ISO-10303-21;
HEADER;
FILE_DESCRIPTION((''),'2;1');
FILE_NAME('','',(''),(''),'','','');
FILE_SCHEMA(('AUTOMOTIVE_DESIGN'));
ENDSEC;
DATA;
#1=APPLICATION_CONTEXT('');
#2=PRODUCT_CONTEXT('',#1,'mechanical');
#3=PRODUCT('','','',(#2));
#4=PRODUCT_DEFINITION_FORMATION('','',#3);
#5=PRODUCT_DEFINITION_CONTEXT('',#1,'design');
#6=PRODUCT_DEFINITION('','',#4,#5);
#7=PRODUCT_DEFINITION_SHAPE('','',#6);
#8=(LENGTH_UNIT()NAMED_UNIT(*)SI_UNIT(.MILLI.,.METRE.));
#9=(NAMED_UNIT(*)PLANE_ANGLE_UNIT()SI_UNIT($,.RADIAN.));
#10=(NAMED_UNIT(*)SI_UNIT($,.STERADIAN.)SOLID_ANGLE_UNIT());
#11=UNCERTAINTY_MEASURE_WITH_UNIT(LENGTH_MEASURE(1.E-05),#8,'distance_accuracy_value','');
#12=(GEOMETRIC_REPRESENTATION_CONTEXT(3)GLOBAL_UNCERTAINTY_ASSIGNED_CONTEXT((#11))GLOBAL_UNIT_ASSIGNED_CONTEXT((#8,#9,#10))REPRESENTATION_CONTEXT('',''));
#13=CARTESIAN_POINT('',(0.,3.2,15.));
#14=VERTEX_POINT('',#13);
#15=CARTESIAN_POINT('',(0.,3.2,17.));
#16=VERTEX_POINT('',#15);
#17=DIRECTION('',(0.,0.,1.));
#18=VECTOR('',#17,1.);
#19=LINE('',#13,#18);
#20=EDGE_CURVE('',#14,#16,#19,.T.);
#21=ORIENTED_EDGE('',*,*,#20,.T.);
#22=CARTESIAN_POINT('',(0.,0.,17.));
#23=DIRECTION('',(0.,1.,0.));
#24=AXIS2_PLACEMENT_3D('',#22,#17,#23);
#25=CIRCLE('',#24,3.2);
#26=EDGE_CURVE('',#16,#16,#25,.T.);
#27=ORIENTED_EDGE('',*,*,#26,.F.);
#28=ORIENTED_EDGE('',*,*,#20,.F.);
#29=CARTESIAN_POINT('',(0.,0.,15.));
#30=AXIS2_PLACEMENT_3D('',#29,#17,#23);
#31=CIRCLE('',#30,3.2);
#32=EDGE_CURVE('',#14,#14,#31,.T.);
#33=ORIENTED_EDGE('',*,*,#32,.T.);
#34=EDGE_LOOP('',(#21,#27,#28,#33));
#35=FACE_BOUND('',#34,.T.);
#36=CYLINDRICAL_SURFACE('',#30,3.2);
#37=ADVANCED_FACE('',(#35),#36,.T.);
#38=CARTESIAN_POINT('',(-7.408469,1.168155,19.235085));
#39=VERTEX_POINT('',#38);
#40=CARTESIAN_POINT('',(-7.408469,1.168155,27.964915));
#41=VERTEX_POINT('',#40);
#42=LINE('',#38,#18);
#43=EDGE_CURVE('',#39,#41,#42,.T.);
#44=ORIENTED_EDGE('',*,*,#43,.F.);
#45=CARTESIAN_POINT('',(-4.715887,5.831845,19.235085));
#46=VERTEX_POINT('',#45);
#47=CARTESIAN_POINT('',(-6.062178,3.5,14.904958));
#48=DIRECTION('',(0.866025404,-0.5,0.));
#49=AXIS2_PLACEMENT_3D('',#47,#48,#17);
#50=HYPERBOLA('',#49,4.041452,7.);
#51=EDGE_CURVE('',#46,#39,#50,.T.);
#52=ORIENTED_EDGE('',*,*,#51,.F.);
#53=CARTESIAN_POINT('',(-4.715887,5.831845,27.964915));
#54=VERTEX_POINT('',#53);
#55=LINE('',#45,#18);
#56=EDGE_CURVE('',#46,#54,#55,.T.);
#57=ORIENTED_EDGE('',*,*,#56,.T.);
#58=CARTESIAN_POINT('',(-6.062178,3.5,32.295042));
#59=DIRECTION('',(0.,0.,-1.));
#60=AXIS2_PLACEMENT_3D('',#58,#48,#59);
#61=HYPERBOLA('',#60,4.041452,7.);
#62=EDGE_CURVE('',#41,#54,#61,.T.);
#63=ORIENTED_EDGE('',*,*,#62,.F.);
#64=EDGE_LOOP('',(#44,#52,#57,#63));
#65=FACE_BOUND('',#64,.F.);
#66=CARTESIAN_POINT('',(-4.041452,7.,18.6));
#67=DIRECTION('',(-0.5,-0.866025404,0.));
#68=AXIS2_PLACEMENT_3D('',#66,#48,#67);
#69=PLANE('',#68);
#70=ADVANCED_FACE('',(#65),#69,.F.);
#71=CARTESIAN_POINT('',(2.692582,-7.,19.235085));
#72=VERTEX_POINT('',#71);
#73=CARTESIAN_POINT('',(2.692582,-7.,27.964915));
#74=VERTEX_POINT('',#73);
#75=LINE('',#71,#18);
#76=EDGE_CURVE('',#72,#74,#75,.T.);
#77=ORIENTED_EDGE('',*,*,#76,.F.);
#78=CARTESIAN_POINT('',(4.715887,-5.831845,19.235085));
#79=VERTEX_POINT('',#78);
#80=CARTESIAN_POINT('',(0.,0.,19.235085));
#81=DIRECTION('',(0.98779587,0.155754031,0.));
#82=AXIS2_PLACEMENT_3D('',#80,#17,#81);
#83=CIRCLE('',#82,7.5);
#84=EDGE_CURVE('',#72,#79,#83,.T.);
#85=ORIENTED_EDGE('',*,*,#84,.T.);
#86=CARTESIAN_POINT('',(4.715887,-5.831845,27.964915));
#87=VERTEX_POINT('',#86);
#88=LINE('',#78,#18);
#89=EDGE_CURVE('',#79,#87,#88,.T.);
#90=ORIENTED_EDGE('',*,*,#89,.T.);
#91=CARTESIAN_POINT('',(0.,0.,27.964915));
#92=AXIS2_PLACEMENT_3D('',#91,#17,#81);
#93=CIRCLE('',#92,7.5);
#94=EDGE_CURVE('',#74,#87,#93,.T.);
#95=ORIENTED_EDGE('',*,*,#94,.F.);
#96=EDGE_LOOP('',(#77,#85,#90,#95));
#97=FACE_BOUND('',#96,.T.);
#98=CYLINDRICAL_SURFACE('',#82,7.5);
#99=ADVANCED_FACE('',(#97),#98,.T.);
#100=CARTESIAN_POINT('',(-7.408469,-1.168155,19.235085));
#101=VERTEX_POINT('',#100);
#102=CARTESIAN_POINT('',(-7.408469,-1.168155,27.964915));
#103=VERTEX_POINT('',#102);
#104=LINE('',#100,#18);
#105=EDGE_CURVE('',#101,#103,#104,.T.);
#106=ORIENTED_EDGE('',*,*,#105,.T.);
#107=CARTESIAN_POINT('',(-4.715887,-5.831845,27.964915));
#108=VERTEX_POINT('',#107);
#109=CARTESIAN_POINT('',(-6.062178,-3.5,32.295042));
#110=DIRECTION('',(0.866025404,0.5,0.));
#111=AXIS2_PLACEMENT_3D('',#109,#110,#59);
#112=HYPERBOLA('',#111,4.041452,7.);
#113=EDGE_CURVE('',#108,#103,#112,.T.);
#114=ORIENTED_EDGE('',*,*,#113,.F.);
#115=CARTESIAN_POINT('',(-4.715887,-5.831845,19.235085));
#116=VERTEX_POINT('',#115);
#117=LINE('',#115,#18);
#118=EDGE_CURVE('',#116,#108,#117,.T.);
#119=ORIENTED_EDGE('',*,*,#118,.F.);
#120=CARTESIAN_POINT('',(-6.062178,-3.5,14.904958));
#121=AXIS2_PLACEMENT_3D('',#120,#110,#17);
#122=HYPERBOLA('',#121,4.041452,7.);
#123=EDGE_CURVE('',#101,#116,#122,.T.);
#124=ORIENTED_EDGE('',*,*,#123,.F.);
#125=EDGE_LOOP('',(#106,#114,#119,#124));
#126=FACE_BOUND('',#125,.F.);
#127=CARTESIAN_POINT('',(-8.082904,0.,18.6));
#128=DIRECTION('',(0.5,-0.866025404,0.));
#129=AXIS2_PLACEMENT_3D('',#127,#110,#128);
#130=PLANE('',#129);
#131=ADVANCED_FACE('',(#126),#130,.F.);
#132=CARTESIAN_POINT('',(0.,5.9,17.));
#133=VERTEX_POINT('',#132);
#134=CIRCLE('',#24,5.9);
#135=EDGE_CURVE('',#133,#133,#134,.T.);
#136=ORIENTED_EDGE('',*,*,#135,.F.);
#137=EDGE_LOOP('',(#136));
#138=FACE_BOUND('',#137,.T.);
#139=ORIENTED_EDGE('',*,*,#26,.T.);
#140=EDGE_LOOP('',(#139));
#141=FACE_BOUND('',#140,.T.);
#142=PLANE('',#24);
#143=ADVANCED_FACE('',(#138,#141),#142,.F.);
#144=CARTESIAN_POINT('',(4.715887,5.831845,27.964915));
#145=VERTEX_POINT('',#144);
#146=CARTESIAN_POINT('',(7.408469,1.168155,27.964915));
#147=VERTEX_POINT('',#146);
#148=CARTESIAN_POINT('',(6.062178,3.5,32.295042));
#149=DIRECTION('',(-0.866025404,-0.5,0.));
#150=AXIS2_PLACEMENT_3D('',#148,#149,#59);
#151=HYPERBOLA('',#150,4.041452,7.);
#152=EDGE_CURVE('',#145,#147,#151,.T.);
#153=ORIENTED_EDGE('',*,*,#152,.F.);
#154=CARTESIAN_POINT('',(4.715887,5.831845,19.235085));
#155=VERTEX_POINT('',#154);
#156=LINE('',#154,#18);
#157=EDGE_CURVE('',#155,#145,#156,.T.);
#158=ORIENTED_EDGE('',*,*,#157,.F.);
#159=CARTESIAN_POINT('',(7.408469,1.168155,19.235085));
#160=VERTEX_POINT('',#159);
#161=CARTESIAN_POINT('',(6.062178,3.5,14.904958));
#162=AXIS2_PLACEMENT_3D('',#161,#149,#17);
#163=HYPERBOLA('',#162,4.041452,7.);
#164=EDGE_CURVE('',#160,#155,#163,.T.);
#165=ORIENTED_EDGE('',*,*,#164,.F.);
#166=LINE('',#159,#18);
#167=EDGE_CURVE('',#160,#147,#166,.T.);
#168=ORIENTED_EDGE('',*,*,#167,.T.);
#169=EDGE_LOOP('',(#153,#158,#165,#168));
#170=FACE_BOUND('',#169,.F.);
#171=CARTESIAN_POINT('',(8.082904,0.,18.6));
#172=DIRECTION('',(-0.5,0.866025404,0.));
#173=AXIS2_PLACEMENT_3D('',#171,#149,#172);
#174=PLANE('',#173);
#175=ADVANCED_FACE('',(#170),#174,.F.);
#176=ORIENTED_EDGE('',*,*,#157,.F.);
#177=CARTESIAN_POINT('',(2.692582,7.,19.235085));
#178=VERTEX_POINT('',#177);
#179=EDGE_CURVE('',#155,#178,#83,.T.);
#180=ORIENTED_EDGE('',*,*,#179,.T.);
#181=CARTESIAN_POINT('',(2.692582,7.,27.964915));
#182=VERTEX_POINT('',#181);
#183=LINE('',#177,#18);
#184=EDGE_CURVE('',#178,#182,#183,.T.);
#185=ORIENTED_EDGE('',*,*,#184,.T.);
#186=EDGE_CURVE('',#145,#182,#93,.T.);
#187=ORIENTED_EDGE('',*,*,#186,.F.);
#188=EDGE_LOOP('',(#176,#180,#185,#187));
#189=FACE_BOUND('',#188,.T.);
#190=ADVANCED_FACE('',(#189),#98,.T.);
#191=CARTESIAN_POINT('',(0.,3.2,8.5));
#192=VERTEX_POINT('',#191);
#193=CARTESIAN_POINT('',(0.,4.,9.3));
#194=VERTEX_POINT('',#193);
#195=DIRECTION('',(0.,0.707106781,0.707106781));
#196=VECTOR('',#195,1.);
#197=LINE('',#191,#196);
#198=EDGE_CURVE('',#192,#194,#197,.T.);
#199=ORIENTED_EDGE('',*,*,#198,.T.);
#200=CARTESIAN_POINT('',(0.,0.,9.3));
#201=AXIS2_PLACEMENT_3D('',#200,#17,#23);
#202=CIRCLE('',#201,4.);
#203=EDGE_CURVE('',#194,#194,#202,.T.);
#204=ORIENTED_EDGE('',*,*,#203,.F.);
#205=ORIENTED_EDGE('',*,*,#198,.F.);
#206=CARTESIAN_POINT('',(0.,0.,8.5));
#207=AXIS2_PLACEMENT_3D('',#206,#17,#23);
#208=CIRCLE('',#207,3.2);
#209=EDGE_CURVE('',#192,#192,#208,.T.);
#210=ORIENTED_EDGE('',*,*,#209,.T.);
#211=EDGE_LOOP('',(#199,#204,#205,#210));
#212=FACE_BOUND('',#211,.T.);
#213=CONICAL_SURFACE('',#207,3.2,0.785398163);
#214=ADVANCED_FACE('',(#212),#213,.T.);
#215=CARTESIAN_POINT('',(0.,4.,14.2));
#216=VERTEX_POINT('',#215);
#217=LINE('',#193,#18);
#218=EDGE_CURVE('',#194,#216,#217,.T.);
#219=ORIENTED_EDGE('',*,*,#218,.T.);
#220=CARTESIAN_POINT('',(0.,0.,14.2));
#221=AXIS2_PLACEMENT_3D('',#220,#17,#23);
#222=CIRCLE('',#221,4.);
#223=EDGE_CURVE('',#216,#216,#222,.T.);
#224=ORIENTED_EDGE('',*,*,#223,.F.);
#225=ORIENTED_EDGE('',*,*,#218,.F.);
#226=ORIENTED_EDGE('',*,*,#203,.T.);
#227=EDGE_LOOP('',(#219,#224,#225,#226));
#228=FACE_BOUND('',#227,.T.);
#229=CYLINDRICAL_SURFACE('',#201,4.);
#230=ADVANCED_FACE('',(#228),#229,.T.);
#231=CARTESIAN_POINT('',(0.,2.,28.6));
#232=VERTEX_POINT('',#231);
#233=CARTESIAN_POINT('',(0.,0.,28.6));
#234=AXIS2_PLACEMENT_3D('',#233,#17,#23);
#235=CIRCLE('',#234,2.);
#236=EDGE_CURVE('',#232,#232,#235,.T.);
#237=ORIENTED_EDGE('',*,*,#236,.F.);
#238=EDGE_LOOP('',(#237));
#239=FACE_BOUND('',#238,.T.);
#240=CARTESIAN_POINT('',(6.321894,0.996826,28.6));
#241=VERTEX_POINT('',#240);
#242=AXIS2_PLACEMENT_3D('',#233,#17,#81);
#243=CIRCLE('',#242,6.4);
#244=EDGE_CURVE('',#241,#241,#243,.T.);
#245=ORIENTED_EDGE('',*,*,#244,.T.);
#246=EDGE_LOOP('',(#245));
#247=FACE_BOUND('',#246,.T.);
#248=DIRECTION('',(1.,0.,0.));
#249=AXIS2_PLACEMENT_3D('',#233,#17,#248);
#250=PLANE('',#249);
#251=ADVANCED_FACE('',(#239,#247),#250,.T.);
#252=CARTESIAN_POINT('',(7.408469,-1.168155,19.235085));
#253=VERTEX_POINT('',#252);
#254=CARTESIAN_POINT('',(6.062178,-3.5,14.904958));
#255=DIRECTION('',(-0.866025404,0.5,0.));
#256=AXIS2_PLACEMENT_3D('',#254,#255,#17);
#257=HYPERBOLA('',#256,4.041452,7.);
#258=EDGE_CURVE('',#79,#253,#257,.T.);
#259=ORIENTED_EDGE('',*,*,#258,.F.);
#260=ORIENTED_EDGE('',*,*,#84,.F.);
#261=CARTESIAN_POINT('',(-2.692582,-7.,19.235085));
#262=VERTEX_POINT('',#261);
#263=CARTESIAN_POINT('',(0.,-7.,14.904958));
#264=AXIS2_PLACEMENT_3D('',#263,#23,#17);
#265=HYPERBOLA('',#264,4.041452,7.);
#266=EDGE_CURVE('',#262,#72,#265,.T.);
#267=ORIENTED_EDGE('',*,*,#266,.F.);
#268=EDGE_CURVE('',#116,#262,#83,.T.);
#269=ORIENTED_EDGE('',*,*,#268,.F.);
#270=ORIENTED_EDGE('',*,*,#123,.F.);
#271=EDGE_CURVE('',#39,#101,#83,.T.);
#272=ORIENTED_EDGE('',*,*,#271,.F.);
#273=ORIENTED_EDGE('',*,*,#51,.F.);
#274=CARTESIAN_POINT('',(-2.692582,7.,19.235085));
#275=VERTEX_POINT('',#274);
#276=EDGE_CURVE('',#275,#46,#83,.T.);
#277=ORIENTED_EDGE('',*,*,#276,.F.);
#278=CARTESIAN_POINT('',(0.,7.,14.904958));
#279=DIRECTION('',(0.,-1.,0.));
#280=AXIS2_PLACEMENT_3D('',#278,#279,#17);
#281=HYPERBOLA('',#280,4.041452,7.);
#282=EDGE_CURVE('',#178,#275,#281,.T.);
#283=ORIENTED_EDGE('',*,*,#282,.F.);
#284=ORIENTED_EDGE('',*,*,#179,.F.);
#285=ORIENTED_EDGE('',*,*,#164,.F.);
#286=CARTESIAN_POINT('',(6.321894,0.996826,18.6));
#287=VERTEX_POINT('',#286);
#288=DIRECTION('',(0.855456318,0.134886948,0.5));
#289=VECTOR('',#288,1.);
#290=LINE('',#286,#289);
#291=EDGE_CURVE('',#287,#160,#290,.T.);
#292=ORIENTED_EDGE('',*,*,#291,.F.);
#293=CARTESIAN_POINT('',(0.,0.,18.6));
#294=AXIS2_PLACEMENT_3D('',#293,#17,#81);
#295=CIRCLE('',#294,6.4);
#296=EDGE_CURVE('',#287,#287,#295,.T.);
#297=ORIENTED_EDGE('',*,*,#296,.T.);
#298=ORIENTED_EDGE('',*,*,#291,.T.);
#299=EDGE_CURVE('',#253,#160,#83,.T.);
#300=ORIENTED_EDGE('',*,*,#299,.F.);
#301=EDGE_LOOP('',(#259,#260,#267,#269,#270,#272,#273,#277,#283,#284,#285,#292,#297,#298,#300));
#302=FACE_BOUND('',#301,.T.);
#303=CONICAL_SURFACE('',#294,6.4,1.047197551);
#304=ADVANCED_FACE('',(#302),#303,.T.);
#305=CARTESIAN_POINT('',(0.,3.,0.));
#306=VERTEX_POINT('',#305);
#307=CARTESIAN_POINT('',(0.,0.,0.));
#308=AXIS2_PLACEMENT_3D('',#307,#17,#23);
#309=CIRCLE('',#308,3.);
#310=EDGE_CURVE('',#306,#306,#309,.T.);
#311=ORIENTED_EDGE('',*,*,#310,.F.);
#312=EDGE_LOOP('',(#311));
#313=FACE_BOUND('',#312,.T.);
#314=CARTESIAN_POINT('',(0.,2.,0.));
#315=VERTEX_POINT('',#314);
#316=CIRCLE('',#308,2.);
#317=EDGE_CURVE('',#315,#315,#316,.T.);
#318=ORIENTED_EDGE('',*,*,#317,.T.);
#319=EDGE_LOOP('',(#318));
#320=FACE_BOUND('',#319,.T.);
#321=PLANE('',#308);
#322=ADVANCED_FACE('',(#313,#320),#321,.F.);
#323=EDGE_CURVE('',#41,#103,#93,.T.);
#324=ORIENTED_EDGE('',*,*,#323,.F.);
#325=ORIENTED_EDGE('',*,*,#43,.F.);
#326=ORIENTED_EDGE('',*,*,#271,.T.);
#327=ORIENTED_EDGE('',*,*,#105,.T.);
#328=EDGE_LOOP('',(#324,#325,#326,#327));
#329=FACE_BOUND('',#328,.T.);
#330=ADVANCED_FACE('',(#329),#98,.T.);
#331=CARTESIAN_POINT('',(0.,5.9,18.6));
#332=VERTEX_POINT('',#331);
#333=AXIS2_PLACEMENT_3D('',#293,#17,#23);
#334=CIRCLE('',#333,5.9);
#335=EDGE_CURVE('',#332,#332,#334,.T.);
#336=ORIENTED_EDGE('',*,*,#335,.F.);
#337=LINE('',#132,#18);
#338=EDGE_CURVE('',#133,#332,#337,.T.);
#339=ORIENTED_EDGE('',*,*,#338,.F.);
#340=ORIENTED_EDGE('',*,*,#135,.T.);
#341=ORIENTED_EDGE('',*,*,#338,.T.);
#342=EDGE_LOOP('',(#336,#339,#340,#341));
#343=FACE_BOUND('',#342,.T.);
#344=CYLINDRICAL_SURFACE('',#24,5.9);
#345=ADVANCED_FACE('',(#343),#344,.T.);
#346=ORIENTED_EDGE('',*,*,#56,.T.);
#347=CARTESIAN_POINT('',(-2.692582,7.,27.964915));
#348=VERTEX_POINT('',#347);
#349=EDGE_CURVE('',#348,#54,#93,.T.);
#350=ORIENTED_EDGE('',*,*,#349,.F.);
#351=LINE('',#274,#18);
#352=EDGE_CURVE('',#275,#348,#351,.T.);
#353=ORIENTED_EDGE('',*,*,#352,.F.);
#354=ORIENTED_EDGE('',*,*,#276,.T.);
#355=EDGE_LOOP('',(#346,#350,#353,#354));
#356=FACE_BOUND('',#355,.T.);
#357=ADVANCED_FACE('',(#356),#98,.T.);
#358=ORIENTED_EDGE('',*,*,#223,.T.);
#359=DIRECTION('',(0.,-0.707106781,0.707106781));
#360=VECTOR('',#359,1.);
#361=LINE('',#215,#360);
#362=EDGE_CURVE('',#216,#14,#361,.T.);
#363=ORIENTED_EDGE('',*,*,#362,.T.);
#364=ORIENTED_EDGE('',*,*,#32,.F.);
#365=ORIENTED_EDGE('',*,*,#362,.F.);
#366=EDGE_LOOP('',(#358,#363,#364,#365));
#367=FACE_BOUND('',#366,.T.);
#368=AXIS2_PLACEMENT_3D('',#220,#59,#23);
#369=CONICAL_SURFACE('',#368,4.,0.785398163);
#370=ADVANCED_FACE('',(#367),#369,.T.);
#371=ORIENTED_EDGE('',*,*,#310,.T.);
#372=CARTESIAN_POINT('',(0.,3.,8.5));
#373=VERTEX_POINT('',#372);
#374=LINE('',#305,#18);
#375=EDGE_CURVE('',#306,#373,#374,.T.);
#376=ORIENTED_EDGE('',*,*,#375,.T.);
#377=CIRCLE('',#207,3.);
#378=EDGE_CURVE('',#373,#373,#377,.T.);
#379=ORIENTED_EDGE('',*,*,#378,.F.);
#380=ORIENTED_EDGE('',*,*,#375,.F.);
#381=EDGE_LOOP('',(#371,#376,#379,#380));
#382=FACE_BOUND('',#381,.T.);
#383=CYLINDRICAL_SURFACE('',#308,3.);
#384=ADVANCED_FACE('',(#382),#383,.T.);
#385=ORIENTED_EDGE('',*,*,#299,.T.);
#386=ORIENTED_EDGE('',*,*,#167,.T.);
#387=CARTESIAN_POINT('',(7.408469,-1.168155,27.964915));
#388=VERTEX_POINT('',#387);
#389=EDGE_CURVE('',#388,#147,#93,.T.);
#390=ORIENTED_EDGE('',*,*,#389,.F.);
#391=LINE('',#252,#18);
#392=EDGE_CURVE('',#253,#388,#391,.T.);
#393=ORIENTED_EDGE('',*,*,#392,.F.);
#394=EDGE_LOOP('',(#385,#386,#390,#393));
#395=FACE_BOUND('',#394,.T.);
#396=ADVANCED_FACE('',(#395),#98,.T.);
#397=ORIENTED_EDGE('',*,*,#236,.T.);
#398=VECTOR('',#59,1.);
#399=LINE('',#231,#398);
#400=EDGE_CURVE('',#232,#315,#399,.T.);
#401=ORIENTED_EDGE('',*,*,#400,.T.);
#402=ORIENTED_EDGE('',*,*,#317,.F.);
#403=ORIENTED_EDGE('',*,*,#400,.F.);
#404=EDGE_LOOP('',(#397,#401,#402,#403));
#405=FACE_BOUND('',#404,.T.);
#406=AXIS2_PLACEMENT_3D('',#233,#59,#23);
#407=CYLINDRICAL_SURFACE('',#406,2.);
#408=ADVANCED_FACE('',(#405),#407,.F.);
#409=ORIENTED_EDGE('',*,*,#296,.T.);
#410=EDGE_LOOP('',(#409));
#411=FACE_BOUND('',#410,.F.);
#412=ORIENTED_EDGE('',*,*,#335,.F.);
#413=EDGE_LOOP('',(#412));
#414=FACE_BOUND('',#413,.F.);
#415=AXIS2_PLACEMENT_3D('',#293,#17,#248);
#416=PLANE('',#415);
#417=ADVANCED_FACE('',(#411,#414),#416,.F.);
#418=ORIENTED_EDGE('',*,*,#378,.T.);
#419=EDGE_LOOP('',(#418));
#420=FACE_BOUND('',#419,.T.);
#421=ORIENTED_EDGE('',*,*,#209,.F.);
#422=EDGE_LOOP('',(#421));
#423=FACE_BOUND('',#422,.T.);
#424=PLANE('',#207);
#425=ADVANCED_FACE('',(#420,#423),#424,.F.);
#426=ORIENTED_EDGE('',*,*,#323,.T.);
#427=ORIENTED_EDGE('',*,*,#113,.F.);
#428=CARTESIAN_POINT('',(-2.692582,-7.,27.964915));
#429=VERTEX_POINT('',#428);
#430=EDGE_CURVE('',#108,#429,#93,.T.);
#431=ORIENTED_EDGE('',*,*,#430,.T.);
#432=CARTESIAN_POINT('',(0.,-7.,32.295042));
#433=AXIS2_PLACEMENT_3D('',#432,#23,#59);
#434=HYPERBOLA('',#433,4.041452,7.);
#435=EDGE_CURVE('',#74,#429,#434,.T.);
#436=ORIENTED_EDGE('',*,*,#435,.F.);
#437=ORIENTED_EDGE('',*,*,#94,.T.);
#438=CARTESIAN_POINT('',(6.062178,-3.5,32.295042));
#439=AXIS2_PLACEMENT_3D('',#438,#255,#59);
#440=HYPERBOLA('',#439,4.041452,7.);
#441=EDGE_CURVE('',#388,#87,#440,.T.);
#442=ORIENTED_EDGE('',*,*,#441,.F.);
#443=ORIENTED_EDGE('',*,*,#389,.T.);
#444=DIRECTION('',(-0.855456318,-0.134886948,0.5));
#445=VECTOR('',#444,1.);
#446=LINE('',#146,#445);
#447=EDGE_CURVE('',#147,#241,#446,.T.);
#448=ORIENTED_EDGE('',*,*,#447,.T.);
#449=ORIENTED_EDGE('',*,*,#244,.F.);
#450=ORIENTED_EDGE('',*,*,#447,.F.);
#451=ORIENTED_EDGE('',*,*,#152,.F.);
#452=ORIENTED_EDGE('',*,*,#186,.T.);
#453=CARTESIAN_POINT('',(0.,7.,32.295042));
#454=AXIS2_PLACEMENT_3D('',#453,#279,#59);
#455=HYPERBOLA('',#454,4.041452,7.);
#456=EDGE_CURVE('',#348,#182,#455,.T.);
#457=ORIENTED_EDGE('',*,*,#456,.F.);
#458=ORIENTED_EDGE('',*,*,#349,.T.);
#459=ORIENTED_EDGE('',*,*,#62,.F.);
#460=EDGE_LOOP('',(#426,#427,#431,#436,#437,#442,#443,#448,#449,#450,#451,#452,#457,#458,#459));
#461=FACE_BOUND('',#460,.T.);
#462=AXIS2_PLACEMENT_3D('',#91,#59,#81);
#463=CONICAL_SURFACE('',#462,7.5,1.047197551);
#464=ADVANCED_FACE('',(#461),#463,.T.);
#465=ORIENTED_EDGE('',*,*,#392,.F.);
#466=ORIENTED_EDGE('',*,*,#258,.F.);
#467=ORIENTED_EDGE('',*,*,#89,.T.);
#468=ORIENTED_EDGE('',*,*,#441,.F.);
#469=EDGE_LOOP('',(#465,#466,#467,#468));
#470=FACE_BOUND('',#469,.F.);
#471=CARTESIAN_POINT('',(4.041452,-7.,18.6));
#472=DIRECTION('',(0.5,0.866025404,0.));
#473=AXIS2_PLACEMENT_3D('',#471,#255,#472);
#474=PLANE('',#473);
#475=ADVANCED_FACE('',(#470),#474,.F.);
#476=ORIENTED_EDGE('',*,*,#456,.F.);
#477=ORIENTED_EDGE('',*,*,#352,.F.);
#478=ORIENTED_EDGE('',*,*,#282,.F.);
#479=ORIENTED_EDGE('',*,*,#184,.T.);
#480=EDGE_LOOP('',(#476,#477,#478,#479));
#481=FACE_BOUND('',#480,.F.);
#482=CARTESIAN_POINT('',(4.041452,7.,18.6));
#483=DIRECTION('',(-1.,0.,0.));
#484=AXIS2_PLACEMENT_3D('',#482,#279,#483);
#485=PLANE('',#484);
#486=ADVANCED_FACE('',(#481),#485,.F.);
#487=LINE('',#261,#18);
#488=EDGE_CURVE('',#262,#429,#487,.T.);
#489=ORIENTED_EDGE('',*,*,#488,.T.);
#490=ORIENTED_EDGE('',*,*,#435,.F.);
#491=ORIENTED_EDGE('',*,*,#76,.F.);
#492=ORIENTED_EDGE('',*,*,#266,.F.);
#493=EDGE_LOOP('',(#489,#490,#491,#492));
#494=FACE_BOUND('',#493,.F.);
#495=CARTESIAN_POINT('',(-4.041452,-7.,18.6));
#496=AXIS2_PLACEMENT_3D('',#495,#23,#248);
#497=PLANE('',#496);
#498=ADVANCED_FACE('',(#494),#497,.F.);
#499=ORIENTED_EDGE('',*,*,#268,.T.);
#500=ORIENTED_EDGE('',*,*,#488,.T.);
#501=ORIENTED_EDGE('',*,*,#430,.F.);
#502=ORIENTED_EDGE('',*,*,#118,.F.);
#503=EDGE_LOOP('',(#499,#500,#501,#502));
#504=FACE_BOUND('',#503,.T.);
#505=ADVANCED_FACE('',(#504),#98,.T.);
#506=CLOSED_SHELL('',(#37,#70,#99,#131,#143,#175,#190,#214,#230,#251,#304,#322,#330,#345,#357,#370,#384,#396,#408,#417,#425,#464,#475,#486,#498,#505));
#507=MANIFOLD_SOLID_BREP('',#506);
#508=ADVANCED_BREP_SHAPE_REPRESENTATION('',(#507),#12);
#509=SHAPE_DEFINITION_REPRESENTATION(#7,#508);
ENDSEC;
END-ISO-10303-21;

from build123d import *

# Parameters (mm, degrees)
HEX_START      = -10
SKETCH3_R      = 2
HEX_HEAD_DEPTH = 10


with BuildPart() as part:
    # Sketch1 → Main Base (revolve)
    with BuildSketch(Plane(origin=(0, 0, 0), x_dir=(0, 0, -1), z_dir=(1, 0, 0))):
        Polygon((0, 2), (0, 3), (-8.5, 3), (-8.5, 3.2), (-9.3, 4), (-14.2, 4), (-15, 3.2), (-17, 3.2), (-17, 5.9), (-18.6, 5.9), (-18.6, 7), (-28.6, 7), (-28.6, 2), align=None)
    revolve(axis=Axis((0, 0, -105.38083184), (0, 0, 1)))

    # Sketch3 → Hex Head (add)
    with BuildSketch(Plane.XY.offset(28.6).offset(HEX_START)):
        Polygon((8.082903769, 0), (4.041451884, 7), (-4.041451884, 7), (-8.082903769, 0), (-4.041451884, -7), (4.041451884, -7), align=None)
        with Locations(Location((0, 0, 0), (0, 0, 90))):
            Circle(SKETCH3_R, mode=Mode.SUBTRACT)
    extrude(amount=HEX_HEAD_DEPTH)

    # Sketch5 → Hex Trim (revolve, cut)
    with BuildSketch(Plane(origin=(0, 0, 0), x_dir=(1, 0, 0), z_dir=(0, 1, 0)), mode=Mode.PRIVATE) as hex_trim_sk:
        Polygon((-6.4, -18.6), (-7.5, -19.235085296), (-7.5, -27.964914704), (-6.4, -28.6), (-8.082903769, -28.6), (-8.082903769, -18.6), align=None)
    revolve(hex_trim_sk.sketch.rotate(Axis((0, 0, 20.51194439), (0, 0, 1)), 188.960530202), axis=Axis((0, 0, 20.51194439), (0, 0, 1)), mode=Mode.SUBTRACT)


solid = part.part
